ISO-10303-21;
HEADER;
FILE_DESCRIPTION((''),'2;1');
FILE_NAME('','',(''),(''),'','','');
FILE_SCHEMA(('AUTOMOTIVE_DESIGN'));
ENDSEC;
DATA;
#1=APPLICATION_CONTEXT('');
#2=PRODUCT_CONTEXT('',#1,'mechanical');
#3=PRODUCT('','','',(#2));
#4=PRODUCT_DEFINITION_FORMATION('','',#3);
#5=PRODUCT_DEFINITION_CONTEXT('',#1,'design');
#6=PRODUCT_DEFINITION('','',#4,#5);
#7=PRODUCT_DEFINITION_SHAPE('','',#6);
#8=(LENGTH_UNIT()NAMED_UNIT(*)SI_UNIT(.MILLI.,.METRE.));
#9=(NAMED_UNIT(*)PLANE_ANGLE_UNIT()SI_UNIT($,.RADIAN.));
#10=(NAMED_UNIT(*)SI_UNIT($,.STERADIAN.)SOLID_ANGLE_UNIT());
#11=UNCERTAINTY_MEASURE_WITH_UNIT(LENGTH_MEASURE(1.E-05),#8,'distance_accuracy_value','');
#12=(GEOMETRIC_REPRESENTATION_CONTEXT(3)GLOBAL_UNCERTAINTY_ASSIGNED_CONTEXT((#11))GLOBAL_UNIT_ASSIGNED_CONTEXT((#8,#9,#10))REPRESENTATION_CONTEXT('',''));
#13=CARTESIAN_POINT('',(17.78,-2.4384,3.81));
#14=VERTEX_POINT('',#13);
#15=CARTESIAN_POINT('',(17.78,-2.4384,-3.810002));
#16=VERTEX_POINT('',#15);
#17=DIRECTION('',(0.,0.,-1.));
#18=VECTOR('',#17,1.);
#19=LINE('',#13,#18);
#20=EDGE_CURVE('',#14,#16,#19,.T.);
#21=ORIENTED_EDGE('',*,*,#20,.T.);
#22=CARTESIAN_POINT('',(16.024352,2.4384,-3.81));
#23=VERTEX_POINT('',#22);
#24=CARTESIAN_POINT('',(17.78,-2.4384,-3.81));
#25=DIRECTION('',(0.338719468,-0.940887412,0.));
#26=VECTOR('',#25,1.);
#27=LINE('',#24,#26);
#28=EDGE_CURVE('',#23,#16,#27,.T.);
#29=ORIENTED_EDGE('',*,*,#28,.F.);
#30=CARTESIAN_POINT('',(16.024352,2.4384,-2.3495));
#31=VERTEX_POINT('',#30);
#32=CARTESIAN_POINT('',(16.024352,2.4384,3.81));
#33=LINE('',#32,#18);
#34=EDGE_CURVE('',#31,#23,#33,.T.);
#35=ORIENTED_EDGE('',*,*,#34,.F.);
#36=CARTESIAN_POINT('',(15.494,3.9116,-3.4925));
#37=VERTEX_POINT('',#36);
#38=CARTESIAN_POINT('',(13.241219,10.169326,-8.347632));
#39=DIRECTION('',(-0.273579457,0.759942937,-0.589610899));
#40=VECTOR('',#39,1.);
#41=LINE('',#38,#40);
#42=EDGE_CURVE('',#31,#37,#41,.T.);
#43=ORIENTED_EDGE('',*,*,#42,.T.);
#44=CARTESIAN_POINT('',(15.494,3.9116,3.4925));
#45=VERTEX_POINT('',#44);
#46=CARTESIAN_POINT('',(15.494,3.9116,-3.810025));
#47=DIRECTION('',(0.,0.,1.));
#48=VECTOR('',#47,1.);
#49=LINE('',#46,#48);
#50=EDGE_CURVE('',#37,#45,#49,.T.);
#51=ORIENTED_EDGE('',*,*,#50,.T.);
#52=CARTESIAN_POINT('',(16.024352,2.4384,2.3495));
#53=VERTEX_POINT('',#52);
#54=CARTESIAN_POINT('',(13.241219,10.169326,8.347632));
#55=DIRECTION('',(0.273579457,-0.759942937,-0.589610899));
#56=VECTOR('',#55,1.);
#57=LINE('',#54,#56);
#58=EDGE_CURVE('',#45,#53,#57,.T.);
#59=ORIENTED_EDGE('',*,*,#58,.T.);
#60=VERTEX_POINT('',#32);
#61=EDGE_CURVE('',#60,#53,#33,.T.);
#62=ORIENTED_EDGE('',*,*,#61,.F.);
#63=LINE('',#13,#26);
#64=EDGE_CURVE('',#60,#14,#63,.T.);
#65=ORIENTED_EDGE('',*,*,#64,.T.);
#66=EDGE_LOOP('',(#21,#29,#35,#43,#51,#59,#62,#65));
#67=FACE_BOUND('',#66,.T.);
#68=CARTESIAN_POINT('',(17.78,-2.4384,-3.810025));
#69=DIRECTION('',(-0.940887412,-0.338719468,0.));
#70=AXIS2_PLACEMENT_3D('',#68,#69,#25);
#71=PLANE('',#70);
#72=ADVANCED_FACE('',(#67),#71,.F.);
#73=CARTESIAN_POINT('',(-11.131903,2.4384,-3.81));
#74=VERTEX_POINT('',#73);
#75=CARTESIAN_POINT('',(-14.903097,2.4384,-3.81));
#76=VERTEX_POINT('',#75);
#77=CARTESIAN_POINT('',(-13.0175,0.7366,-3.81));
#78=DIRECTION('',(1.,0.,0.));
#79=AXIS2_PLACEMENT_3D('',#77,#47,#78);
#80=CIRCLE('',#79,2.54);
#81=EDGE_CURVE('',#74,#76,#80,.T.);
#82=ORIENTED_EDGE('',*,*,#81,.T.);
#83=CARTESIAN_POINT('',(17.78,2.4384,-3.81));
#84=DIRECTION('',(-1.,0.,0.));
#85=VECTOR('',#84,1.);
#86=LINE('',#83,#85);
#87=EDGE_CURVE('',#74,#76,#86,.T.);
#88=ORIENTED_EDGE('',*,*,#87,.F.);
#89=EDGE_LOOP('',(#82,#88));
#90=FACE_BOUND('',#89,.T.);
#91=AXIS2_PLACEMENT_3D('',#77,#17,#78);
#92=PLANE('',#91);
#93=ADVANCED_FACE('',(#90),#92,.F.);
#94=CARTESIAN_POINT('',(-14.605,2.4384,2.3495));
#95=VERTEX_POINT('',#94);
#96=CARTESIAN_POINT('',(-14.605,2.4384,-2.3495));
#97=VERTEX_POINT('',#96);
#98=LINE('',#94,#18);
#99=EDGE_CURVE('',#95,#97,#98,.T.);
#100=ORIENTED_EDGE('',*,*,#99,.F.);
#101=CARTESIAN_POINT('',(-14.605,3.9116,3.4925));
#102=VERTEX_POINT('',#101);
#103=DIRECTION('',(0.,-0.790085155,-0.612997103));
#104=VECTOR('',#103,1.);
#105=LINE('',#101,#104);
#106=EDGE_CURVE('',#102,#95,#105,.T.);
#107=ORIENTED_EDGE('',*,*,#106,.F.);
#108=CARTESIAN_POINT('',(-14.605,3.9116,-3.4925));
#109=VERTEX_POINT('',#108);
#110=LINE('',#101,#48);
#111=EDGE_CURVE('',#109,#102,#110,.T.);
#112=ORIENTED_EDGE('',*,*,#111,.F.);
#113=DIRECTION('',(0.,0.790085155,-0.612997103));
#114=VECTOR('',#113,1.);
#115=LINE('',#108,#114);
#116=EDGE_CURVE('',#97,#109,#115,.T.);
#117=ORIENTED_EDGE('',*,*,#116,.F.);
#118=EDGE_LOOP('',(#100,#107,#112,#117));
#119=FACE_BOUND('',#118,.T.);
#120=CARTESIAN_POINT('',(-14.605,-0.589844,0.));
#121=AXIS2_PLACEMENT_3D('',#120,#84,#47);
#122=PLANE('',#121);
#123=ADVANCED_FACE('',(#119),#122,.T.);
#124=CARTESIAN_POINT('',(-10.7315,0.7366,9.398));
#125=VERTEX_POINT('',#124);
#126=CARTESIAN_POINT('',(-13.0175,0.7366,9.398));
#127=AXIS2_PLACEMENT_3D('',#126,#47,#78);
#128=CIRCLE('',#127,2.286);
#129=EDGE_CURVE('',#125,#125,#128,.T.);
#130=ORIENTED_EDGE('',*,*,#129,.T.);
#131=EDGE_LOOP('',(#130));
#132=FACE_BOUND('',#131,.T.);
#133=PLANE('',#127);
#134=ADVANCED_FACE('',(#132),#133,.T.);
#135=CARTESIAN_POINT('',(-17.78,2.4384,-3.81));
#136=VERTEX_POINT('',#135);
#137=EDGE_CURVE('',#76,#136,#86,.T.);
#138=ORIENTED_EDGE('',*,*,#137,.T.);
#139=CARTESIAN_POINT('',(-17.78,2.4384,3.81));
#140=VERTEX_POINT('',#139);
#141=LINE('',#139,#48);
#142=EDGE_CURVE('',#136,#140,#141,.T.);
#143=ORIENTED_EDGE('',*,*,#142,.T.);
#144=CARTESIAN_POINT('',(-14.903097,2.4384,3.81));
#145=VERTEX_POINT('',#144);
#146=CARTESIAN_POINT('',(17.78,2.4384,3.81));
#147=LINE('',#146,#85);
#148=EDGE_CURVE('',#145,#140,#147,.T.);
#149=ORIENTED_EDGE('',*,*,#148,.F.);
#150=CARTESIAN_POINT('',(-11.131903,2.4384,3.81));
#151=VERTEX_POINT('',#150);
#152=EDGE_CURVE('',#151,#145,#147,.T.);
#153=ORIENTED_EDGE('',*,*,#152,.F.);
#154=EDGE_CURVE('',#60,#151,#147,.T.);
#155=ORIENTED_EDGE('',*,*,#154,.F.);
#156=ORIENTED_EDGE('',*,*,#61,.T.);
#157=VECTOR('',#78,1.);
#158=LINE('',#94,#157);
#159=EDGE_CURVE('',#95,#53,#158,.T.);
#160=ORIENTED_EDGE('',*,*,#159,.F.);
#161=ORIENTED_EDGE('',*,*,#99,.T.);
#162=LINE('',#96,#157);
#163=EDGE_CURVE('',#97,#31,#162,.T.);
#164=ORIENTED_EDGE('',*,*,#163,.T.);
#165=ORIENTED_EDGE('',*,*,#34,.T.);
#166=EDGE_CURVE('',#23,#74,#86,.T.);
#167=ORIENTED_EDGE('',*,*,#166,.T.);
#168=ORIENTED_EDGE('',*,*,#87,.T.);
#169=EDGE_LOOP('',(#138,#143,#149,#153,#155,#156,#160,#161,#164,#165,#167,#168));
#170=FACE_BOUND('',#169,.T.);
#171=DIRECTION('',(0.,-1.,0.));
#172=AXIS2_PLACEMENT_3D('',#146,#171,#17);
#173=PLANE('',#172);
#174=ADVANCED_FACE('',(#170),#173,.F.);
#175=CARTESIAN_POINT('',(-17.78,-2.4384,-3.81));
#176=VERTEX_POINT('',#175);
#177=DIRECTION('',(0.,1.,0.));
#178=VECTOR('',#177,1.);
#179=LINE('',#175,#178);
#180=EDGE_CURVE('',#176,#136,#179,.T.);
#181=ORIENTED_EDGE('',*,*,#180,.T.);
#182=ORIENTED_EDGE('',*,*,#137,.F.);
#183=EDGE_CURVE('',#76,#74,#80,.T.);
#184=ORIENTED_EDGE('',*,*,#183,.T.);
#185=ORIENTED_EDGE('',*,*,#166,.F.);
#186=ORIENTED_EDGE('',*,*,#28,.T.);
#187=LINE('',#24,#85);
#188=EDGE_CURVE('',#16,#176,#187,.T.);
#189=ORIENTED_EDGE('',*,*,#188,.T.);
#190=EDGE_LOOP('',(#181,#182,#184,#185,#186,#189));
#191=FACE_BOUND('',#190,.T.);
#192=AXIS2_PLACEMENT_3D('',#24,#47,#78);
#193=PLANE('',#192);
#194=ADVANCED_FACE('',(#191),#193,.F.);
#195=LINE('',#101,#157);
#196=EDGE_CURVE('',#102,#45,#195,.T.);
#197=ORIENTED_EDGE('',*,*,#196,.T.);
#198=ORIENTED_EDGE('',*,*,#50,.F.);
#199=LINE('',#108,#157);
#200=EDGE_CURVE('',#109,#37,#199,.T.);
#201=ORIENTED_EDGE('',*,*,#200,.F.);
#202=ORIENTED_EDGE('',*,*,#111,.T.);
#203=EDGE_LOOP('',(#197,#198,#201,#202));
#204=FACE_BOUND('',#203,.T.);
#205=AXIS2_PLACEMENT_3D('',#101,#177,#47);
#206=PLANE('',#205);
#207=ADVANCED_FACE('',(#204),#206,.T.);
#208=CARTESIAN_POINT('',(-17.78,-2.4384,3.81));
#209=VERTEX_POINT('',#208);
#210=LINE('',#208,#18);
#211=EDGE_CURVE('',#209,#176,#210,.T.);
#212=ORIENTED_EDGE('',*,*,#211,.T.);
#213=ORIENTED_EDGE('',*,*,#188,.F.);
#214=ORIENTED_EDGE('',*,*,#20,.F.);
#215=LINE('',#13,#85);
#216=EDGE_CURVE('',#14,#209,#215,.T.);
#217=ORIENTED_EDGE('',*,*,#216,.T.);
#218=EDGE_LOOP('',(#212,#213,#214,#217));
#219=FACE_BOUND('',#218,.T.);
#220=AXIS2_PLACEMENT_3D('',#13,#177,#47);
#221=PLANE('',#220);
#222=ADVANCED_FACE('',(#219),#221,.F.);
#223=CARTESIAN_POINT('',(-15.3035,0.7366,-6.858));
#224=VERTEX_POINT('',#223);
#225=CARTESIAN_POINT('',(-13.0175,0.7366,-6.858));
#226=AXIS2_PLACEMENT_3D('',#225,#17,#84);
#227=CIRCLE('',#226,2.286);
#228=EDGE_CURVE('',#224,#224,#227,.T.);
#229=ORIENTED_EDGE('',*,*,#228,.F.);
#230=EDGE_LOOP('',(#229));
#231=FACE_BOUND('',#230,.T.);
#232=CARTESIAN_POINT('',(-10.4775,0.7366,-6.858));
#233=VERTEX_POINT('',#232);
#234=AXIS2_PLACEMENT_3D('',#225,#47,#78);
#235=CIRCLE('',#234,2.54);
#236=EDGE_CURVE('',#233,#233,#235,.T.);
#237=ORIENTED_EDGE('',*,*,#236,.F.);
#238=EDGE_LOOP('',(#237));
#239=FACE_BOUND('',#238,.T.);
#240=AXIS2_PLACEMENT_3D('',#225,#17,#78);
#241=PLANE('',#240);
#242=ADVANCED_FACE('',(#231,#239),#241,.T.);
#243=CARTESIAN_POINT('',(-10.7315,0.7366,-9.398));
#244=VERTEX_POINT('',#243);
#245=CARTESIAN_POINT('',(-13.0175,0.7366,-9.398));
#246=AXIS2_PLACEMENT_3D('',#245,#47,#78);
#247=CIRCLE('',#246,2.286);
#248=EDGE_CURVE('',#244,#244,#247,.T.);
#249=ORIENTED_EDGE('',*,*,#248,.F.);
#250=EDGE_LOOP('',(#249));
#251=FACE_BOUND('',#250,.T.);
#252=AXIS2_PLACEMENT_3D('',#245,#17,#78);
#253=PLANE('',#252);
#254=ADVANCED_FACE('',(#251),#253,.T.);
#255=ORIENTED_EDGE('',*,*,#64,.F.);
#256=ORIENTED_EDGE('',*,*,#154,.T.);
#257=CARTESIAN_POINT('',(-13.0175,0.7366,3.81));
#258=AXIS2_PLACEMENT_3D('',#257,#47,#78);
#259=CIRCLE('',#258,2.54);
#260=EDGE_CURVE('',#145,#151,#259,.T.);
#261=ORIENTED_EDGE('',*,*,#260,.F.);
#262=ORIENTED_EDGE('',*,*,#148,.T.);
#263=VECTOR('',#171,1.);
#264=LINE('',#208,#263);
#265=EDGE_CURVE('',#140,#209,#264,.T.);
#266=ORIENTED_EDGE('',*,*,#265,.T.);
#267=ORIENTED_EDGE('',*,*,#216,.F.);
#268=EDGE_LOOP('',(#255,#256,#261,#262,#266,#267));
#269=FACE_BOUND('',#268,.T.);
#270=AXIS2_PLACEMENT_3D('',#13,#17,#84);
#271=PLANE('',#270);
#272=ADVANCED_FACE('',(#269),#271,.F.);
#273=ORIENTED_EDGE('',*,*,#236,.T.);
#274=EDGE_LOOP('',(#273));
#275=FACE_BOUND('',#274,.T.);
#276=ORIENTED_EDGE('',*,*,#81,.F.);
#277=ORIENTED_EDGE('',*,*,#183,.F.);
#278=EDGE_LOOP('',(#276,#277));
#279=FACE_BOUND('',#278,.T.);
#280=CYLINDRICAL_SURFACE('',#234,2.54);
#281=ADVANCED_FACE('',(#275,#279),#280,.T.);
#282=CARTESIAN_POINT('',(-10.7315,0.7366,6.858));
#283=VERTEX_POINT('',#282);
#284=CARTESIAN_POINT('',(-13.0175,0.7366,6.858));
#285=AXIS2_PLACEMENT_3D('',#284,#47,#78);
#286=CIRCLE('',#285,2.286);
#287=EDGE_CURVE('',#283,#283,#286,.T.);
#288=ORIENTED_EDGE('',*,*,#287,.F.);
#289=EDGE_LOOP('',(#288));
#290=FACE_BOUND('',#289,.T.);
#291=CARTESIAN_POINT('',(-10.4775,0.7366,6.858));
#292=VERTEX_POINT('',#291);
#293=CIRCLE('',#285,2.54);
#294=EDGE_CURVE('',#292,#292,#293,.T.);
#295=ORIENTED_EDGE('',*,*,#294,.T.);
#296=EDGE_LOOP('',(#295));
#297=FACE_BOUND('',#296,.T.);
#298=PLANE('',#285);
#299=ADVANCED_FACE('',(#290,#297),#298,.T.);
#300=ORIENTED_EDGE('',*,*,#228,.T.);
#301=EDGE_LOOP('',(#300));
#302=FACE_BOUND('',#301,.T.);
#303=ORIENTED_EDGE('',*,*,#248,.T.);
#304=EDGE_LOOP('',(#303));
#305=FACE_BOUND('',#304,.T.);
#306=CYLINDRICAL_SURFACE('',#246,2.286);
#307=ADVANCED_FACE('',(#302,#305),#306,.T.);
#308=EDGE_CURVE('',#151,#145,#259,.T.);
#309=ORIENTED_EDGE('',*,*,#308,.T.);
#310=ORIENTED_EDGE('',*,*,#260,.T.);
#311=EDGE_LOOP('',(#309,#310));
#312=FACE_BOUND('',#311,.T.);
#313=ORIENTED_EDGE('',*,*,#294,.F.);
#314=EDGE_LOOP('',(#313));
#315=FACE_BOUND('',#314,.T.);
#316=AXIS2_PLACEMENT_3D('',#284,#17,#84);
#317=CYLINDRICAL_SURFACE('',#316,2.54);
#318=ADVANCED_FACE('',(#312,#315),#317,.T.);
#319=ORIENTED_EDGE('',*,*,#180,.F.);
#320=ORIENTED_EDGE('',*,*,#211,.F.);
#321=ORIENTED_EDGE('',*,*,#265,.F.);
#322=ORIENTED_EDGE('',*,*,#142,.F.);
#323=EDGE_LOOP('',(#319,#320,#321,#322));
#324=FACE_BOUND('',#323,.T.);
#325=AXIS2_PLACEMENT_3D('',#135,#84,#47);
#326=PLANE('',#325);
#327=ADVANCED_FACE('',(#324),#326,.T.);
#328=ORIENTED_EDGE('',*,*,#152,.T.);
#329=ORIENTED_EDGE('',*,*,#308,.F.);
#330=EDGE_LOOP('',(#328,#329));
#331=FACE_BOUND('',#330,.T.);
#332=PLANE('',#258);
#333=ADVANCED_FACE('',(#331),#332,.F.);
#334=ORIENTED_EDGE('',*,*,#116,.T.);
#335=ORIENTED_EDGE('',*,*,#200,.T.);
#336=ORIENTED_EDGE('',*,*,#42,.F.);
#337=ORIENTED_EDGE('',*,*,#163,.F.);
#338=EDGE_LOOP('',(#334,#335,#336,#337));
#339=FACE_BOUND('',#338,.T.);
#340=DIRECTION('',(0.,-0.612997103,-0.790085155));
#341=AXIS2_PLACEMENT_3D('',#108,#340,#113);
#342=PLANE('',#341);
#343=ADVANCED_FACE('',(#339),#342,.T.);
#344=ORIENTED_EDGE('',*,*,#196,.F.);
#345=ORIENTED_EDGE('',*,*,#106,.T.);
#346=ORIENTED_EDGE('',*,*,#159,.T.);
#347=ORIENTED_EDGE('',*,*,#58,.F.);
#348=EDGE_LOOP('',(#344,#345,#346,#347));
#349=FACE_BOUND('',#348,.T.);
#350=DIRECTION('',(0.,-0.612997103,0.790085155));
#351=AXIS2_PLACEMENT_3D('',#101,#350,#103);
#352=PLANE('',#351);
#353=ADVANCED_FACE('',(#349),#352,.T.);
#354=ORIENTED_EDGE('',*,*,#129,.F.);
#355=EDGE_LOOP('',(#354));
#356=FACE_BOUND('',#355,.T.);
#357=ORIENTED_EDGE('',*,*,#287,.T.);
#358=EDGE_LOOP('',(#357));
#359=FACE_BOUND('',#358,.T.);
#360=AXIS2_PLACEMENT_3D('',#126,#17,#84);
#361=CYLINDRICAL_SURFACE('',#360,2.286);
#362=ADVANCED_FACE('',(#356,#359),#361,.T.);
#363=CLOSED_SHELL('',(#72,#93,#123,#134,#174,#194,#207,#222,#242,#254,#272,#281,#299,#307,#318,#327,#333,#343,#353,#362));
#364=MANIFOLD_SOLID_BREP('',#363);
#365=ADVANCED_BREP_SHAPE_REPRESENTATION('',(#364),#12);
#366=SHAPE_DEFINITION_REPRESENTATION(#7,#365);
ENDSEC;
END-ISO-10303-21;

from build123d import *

# Parameters (mm, degrees)
SKETCH1_W           = 7.62
SKETCH1_H           = 4.8768
BOSS_EXTRUDE1_DEPTH = 17.78
BOSS_EXTRUDE2_DEPTH = 32.385
CUT_EXTRUDE1_DEPTH  = 8.62
SKETCH5_R           = 2.54
BOSS_EXTRUDE3_DEPTH = 3.048
SKETCH7_R           = 2.286
BOSS_EXTRUDE4_DEPTH = 2.54


with BuildPart() as part:
    # Sketch1 → Boss-Extrude1 (new body, symmetric)
    with BuildSketch(Plane(origin=(0, 0, 0), x_dir=(0, 0, -1), z_dir=(1, 0, 0))):
        Rectangle(SKETCH1_W, SKETCH1_H)
    extrude(amount=BOSS_EXTRUDE1_DEPTH, both=True)

    # Sketch2 → Boss-Extrude2 (add)
    with BuildSketch(Plane(origin=(17.78, 0, 0), x_dir=(0, 0, -1), z_dir=(1, 0, 0))):
        Polygon((-3.4925, 3.9116), (3.4925, 3.9116), (2.3495, 2.4384), (-2.3495, 2.4384), align=None)
    extrude(amount=-BOSS_EXTRUDE2_DEPTH)

    # Sketch3 → Cut-Extrude1 (cut, through all)
    with BuildSketch(Plane.XY.offset(3.81)):
        Polygon((17.78, -2.4384), (15.494, 3.9116), (17.78, 3.9116), align=None)
    extrude(amount=-CUT_EXTRUDE1_DEPTH, mode=Mode.SUBTRACT)

    # Sketch5 → Boss-Extrude3 (add)
    with BuildSketch(Plane.XY.offset(3.81)):
        with Locations((-13.0175, 0.7366)):
            Circle(SKETCH5_R)
    boss_extrude3 = extrude(amount=BOSS_EXTRUDE3_DEPTH)

    # Sketch7 → Boss-Extrude4 (add)
    with BuildSketch(Plane.XY.offset(6.858)):
        with Locations((-13.0175, 0.7366)):
            Circle(SKETCH7_R)
    boss_extrude4 = extrude(amount=BOSS_EXTRUDE4_DEPTH)

    # Mirror1: Boss-Extrude3, Boss-Extrude4 across plane
    add(boss_extrude3.mirror(Plane.XY))
    add(boss_extrude4.mirror(Plane.XY))


solid = part.part
